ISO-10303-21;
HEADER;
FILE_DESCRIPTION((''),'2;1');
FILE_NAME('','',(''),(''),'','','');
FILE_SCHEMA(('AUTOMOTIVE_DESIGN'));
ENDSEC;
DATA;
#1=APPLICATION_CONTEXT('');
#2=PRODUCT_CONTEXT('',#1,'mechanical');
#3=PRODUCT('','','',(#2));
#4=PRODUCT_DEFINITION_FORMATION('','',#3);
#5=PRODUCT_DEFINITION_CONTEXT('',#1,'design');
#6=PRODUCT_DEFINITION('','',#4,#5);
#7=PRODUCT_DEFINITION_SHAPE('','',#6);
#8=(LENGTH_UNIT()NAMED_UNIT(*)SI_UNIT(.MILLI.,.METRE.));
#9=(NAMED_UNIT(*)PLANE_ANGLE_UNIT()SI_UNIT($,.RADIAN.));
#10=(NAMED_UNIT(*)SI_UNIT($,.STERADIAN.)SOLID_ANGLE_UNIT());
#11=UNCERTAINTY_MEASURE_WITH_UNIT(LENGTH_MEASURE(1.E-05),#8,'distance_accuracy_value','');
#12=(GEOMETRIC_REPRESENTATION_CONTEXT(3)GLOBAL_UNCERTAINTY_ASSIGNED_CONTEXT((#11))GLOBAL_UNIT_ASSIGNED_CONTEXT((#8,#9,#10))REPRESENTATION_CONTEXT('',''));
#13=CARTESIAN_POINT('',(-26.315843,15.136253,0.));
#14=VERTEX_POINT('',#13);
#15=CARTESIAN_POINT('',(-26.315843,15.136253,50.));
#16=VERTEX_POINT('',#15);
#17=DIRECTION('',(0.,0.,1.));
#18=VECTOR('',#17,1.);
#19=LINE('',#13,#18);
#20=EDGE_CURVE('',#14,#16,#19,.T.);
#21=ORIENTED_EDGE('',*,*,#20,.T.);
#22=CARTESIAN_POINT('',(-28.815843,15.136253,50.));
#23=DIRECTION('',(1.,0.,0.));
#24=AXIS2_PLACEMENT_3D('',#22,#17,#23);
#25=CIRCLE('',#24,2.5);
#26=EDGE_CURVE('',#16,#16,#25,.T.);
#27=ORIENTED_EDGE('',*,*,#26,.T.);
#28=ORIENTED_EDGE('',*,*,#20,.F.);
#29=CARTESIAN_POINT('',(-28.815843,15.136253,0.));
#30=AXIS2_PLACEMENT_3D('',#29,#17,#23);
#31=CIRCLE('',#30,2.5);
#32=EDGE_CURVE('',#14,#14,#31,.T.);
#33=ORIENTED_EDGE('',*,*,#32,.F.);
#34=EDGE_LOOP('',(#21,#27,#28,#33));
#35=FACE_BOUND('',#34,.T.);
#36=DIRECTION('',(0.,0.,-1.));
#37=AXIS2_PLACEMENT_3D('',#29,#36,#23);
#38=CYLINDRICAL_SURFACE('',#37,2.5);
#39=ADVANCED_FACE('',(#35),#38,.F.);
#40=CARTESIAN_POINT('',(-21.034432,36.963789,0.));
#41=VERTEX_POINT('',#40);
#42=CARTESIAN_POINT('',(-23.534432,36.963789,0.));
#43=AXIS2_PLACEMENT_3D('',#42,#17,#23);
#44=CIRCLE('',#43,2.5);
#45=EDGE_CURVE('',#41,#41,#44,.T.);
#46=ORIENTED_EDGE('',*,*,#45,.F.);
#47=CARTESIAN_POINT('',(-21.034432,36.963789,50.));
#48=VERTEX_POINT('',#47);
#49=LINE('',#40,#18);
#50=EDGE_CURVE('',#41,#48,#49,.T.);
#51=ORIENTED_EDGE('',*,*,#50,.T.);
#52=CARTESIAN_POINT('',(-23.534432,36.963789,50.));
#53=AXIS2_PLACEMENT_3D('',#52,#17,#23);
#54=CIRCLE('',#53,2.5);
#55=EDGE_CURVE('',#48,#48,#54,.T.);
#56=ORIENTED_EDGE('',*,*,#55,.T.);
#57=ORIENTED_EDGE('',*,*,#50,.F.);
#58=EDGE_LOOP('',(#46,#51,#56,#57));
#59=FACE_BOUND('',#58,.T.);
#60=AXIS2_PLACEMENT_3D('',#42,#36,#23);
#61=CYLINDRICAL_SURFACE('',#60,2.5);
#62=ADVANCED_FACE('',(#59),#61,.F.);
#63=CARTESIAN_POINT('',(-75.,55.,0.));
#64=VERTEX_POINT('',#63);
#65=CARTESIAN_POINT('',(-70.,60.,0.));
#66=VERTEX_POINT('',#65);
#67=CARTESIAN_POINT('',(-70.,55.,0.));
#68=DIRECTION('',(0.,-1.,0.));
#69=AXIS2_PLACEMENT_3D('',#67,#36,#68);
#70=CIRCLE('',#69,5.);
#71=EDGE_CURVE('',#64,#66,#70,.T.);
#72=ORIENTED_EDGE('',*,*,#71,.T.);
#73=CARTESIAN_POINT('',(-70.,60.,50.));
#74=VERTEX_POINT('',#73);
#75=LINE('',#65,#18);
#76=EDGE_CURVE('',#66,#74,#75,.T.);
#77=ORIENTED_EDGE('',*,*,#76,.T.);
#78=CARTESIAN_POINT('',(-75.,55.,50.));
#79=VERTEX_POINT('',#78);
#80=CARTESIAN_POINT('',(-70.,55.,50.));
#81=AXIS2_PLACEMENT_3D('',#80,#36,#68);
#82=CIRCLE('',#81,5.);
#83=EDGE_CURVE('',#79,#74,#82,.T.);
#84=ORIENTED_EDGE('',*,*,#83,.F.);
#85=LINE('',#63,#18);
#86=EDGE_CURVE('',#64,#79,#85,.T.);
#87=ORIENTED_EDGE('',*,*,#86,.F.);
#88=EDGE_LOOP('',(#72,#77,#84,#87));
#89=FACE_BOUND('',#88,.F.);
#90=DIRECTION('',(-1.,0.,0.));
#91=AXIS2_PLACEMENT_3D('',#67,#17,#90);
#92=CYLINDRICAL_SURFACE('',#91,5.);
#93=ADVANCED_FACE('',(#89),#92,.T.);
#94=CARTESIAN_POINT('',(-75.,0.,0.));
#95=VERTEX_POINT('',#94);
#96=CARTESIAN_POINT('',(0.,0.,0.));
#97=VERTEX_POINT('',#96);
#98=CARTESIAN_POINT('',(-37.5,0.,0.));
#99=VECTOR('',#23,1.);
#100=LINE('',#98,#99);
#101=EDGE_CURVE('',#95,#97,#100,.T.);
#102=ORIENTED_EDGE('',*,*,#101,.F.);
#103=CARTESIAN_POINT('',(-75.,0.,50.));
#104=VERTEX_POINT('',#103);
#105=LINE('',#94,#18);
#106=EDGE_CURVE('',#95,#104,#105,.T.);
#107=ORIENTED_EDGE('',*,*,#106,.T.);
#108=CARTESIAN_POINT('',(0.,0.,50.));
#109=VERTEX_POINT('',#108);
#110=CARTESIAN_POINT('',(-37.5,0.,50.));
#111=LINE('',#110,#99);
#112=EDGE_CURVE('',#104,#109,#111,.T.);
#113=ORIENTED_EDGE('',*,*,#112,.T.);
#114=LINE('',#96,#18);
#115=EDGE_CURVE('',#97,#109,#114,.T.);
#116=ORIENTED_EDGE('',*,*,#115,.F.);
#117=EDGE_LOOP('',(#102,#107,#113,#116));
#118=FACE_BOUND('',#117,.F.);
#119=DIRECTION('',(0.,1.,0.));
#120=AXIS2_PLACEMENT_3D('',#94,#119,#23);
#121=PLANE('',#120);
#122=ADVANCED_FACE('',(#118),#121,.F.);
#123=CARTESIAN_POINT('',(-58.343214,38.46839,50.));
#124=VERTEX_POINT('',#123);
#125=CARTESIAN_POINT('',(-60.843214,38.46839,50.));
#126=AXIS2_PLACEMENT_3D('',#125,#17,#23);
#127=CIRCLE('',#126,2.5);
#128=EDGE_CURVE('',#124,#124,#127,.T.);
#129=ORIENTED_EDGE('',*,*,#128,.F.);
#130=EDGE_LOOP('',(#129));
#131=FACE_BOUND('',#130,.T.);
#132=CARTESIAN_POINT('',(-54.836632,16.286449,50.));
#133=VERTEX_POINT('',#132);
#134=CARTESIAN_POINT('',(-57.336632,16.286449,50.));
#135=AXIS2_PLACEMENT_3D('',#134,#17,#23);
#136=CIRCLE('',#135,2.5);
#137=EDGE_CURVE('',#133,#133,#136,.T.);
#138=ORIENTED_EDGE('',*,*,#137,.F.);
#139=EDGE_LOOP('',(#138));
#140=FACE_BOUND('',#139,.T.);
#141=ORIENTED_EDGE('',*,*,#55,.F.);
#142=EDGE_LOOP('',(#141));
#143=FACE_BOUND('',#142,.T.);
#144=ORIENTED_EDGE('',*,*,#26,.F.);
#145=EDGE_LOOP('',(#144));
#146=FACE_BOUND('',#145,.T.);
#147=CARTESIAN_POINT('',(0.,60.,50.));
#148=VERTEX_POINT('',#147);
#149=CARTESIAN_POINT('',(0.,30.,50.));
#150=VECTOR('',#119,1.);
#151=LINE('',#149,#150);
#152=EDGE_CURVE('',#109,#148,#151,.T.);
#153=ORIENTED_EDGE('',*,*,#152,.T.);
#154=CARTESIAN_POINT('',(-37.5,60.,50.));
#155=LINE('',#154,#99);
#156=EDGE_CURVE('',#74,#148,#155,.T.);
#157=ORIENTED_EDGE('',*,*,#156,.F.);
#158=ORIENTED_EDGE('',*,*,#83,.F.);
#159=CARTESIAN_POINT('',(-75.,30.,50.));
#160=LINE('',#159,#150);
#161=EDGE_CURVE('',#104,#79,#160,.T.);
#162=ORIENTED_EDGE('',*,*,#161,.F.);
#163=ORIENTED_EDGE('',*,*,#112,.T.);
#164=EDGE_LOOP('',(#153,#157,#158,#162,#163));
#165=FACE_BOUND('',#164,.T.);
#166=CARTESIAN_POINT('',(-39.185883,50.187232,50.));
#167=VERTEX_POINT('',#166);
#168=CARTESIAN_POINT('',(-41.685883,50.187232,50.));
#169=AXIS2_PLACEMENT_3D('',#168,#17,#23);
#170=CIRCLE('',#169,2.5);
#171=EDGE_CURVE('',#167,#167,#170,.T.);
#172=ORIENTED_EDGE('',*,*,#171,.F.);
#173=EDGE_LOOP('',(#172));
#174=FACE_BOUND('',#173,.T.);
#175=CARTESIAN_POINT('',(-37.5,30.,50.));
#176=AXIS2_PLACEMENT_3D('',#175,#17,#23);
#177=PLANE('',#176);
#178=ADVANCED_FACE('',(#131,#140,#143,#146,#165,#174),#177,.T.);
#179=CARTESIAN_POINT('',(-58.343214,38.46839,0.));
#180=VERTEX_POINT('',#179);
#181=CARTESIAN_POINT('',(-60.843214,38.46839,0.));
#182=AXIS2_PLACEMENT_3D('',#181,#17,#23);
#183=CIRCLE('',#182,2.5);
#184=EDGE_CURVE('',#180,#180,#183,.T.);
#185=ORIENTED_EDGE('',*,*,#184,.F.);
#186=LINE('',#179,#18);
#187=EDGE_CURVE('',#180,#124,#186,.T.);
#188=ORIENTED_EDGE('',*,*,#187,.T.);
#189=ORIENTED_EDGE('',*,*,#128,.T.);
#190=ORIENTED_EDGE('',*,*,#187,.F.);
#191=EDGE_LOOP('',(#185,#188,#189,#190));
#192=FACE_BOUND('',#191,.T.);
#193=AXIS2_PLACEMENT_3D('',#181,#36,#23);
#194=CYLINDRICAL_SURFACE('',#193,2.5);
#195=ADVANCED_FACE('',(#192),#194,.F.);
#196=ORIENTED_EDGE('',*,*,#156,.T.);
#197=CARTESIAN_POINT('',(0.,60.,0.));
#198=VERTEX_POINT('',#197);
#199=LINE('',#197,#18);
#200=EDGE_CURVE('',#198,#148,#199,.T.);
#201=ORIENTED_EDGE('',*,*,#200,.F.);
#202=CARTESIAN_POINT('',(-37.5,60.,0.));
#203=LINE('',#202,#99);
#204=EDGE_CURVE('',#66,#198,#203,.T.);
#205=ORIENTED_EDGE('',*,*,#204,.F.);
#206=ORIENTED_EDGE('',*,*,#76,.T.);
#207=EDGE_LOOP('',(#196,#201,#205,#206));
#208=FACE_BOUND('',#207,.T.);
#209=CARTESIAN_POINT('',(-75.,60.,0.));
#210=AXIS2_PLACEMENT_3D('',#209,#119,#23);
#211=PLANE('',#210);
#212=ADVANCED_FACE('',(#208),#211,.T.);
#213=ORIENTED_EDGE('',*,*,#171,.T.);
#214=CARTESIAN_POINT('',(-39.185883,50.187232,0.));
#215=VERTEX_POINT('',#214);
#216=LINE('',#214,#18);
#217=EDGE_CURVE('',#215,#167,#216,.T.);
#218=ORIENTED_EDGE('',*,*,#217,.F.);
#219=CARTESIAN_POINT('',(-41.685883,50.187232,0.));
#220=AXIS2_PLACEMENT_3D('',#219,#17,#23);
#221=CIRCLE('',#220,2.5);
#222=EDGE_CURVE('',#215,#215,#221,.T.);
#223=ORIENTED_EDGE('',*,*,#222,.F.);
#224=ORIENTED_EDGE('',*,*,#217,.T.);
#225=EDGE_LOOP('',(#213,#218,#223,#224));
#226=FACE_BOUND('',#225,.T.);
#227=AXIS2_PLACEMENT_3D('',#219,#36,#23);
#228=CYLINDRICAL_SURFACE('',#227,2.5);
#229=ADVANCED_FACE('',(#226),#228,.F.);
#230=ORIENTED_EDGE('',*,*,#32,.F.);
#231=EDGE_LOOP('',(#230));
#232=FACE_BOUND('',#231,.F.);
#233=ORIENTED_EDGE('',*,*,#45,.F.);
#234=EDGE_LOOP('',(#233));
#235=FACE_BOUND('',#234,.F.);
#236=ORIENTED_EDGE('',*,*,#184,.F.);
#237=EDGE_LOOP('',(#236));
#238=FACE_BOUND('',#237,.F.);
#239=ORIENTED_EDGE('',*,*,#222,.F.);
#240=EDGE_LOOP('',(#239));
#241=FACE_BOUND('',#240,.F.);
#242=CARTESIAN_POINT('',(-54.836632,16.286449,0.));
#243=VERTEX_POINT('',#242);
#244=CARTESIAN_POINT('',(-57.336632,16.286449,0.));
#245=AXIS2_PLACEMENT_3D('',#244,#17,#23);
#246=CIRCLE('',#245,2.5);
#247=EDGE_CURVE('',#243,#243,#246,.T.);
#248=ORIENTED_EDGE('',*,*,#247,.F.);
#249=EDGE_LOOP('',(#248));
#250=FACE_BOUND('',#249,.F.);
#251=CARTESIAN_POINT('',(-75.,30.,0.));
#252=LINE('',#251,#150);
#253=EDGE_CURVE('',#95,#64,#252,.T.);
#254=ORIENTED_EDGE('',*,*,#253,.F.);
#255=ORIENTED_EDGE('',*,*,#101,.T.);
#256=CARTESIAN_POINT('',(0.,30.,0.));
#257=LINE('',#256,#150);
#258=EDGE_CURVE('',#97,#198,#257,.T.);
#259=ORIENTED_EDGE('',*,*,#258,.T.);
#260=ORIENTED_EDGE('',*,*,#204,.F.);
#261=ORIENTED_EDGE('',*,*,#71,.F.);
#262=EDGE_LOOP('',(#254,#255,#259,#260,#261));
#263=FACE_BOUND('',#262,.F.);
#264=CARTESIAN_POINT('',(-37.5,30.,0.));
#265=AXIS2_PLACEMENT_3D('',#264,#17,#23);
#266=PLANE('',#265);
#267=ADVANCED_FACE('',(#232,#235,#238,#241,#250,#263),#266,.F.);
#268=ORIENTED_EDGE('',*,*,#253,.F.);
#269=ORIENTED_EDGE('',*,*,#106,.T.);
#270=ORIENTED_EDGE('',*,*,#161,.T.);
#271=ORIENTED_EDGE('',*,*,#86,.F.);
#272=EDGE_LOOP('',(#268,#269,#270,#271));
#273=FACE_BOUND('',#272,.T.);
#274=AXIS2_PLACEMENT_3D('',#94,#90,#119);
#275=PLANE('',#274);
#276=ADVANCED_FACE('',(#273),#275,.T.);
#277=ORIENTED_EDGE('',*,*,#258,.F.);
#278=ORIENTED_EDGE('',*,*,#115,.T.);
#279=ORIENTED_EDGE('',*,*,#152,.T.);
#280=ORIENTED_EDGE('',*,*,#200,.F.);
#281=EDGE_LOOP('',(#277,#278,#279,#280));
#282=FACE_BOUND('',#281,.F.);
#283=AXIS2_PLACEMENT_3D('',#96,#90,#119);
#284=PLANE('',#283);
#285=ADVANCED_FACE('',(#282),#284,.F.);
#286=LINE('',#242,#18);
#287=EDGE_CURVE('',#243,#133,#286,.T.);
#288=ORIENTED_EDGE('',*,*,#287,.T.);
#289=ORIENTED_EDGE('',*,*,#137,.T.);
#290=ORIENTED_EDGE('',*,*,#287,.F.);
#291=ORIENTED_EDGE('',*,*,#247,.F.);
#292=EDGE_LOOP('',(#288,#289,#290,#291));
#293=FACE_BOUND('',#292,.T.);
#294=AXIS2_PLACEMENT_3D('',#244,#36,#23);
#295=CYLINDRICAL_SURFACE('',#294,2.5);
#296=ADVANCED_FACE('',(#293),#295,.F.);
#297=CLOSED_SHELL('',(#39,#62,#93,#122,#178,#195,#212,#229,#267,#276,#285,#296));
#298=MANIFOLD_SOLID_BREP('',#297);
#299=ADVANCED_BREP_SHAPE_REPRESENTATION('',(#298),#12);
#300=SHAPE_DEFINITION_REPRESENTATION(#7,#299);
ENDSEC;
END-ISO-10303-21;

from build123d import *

# Parameters (mm, degrees)
F0_W     = 75
F0_H     = 60
F0_R     = 2.5
F1_DEPTH = 50
F2_R     = 5


with BuildPart() as f1:
    # F0 (on Top) → F1 (new body)
    with BuildSketch(Plane.XY):
        with Locations((-37.5, 30)):
            Rectangle(F0_W, F0_H)
        with Locations((-57.336632, 16.286449)):
            Circle(F0_R, mode=Mode.SUBTRACT)
        with Locations((-28.815843, 15.136253)):
            Circle(F0_R, mode=Mode.SUBTRACT)
        with Locations((-60.843214, 38.46839)):
            Circle(F0_R, mode=Mode.SUBTRACT)
        with Locations((-41.685883, 50.187232)):
            Circle(F0_R, mode=Mode.SUBTRACT)
        with Locations((-23.534432, 36.963789)):
            Circle(F0_R, mode=Mode.SUBTRACT)
    extrude(amount=F1_DEPTH)

    # F2
    f2_edges = [f1.edges().sort_by_distance(p)[0] for p in [
        (-75, 60, 25),
    ]]
    fillet(f2_edges, radius=F2_R)


solid = f1.part
